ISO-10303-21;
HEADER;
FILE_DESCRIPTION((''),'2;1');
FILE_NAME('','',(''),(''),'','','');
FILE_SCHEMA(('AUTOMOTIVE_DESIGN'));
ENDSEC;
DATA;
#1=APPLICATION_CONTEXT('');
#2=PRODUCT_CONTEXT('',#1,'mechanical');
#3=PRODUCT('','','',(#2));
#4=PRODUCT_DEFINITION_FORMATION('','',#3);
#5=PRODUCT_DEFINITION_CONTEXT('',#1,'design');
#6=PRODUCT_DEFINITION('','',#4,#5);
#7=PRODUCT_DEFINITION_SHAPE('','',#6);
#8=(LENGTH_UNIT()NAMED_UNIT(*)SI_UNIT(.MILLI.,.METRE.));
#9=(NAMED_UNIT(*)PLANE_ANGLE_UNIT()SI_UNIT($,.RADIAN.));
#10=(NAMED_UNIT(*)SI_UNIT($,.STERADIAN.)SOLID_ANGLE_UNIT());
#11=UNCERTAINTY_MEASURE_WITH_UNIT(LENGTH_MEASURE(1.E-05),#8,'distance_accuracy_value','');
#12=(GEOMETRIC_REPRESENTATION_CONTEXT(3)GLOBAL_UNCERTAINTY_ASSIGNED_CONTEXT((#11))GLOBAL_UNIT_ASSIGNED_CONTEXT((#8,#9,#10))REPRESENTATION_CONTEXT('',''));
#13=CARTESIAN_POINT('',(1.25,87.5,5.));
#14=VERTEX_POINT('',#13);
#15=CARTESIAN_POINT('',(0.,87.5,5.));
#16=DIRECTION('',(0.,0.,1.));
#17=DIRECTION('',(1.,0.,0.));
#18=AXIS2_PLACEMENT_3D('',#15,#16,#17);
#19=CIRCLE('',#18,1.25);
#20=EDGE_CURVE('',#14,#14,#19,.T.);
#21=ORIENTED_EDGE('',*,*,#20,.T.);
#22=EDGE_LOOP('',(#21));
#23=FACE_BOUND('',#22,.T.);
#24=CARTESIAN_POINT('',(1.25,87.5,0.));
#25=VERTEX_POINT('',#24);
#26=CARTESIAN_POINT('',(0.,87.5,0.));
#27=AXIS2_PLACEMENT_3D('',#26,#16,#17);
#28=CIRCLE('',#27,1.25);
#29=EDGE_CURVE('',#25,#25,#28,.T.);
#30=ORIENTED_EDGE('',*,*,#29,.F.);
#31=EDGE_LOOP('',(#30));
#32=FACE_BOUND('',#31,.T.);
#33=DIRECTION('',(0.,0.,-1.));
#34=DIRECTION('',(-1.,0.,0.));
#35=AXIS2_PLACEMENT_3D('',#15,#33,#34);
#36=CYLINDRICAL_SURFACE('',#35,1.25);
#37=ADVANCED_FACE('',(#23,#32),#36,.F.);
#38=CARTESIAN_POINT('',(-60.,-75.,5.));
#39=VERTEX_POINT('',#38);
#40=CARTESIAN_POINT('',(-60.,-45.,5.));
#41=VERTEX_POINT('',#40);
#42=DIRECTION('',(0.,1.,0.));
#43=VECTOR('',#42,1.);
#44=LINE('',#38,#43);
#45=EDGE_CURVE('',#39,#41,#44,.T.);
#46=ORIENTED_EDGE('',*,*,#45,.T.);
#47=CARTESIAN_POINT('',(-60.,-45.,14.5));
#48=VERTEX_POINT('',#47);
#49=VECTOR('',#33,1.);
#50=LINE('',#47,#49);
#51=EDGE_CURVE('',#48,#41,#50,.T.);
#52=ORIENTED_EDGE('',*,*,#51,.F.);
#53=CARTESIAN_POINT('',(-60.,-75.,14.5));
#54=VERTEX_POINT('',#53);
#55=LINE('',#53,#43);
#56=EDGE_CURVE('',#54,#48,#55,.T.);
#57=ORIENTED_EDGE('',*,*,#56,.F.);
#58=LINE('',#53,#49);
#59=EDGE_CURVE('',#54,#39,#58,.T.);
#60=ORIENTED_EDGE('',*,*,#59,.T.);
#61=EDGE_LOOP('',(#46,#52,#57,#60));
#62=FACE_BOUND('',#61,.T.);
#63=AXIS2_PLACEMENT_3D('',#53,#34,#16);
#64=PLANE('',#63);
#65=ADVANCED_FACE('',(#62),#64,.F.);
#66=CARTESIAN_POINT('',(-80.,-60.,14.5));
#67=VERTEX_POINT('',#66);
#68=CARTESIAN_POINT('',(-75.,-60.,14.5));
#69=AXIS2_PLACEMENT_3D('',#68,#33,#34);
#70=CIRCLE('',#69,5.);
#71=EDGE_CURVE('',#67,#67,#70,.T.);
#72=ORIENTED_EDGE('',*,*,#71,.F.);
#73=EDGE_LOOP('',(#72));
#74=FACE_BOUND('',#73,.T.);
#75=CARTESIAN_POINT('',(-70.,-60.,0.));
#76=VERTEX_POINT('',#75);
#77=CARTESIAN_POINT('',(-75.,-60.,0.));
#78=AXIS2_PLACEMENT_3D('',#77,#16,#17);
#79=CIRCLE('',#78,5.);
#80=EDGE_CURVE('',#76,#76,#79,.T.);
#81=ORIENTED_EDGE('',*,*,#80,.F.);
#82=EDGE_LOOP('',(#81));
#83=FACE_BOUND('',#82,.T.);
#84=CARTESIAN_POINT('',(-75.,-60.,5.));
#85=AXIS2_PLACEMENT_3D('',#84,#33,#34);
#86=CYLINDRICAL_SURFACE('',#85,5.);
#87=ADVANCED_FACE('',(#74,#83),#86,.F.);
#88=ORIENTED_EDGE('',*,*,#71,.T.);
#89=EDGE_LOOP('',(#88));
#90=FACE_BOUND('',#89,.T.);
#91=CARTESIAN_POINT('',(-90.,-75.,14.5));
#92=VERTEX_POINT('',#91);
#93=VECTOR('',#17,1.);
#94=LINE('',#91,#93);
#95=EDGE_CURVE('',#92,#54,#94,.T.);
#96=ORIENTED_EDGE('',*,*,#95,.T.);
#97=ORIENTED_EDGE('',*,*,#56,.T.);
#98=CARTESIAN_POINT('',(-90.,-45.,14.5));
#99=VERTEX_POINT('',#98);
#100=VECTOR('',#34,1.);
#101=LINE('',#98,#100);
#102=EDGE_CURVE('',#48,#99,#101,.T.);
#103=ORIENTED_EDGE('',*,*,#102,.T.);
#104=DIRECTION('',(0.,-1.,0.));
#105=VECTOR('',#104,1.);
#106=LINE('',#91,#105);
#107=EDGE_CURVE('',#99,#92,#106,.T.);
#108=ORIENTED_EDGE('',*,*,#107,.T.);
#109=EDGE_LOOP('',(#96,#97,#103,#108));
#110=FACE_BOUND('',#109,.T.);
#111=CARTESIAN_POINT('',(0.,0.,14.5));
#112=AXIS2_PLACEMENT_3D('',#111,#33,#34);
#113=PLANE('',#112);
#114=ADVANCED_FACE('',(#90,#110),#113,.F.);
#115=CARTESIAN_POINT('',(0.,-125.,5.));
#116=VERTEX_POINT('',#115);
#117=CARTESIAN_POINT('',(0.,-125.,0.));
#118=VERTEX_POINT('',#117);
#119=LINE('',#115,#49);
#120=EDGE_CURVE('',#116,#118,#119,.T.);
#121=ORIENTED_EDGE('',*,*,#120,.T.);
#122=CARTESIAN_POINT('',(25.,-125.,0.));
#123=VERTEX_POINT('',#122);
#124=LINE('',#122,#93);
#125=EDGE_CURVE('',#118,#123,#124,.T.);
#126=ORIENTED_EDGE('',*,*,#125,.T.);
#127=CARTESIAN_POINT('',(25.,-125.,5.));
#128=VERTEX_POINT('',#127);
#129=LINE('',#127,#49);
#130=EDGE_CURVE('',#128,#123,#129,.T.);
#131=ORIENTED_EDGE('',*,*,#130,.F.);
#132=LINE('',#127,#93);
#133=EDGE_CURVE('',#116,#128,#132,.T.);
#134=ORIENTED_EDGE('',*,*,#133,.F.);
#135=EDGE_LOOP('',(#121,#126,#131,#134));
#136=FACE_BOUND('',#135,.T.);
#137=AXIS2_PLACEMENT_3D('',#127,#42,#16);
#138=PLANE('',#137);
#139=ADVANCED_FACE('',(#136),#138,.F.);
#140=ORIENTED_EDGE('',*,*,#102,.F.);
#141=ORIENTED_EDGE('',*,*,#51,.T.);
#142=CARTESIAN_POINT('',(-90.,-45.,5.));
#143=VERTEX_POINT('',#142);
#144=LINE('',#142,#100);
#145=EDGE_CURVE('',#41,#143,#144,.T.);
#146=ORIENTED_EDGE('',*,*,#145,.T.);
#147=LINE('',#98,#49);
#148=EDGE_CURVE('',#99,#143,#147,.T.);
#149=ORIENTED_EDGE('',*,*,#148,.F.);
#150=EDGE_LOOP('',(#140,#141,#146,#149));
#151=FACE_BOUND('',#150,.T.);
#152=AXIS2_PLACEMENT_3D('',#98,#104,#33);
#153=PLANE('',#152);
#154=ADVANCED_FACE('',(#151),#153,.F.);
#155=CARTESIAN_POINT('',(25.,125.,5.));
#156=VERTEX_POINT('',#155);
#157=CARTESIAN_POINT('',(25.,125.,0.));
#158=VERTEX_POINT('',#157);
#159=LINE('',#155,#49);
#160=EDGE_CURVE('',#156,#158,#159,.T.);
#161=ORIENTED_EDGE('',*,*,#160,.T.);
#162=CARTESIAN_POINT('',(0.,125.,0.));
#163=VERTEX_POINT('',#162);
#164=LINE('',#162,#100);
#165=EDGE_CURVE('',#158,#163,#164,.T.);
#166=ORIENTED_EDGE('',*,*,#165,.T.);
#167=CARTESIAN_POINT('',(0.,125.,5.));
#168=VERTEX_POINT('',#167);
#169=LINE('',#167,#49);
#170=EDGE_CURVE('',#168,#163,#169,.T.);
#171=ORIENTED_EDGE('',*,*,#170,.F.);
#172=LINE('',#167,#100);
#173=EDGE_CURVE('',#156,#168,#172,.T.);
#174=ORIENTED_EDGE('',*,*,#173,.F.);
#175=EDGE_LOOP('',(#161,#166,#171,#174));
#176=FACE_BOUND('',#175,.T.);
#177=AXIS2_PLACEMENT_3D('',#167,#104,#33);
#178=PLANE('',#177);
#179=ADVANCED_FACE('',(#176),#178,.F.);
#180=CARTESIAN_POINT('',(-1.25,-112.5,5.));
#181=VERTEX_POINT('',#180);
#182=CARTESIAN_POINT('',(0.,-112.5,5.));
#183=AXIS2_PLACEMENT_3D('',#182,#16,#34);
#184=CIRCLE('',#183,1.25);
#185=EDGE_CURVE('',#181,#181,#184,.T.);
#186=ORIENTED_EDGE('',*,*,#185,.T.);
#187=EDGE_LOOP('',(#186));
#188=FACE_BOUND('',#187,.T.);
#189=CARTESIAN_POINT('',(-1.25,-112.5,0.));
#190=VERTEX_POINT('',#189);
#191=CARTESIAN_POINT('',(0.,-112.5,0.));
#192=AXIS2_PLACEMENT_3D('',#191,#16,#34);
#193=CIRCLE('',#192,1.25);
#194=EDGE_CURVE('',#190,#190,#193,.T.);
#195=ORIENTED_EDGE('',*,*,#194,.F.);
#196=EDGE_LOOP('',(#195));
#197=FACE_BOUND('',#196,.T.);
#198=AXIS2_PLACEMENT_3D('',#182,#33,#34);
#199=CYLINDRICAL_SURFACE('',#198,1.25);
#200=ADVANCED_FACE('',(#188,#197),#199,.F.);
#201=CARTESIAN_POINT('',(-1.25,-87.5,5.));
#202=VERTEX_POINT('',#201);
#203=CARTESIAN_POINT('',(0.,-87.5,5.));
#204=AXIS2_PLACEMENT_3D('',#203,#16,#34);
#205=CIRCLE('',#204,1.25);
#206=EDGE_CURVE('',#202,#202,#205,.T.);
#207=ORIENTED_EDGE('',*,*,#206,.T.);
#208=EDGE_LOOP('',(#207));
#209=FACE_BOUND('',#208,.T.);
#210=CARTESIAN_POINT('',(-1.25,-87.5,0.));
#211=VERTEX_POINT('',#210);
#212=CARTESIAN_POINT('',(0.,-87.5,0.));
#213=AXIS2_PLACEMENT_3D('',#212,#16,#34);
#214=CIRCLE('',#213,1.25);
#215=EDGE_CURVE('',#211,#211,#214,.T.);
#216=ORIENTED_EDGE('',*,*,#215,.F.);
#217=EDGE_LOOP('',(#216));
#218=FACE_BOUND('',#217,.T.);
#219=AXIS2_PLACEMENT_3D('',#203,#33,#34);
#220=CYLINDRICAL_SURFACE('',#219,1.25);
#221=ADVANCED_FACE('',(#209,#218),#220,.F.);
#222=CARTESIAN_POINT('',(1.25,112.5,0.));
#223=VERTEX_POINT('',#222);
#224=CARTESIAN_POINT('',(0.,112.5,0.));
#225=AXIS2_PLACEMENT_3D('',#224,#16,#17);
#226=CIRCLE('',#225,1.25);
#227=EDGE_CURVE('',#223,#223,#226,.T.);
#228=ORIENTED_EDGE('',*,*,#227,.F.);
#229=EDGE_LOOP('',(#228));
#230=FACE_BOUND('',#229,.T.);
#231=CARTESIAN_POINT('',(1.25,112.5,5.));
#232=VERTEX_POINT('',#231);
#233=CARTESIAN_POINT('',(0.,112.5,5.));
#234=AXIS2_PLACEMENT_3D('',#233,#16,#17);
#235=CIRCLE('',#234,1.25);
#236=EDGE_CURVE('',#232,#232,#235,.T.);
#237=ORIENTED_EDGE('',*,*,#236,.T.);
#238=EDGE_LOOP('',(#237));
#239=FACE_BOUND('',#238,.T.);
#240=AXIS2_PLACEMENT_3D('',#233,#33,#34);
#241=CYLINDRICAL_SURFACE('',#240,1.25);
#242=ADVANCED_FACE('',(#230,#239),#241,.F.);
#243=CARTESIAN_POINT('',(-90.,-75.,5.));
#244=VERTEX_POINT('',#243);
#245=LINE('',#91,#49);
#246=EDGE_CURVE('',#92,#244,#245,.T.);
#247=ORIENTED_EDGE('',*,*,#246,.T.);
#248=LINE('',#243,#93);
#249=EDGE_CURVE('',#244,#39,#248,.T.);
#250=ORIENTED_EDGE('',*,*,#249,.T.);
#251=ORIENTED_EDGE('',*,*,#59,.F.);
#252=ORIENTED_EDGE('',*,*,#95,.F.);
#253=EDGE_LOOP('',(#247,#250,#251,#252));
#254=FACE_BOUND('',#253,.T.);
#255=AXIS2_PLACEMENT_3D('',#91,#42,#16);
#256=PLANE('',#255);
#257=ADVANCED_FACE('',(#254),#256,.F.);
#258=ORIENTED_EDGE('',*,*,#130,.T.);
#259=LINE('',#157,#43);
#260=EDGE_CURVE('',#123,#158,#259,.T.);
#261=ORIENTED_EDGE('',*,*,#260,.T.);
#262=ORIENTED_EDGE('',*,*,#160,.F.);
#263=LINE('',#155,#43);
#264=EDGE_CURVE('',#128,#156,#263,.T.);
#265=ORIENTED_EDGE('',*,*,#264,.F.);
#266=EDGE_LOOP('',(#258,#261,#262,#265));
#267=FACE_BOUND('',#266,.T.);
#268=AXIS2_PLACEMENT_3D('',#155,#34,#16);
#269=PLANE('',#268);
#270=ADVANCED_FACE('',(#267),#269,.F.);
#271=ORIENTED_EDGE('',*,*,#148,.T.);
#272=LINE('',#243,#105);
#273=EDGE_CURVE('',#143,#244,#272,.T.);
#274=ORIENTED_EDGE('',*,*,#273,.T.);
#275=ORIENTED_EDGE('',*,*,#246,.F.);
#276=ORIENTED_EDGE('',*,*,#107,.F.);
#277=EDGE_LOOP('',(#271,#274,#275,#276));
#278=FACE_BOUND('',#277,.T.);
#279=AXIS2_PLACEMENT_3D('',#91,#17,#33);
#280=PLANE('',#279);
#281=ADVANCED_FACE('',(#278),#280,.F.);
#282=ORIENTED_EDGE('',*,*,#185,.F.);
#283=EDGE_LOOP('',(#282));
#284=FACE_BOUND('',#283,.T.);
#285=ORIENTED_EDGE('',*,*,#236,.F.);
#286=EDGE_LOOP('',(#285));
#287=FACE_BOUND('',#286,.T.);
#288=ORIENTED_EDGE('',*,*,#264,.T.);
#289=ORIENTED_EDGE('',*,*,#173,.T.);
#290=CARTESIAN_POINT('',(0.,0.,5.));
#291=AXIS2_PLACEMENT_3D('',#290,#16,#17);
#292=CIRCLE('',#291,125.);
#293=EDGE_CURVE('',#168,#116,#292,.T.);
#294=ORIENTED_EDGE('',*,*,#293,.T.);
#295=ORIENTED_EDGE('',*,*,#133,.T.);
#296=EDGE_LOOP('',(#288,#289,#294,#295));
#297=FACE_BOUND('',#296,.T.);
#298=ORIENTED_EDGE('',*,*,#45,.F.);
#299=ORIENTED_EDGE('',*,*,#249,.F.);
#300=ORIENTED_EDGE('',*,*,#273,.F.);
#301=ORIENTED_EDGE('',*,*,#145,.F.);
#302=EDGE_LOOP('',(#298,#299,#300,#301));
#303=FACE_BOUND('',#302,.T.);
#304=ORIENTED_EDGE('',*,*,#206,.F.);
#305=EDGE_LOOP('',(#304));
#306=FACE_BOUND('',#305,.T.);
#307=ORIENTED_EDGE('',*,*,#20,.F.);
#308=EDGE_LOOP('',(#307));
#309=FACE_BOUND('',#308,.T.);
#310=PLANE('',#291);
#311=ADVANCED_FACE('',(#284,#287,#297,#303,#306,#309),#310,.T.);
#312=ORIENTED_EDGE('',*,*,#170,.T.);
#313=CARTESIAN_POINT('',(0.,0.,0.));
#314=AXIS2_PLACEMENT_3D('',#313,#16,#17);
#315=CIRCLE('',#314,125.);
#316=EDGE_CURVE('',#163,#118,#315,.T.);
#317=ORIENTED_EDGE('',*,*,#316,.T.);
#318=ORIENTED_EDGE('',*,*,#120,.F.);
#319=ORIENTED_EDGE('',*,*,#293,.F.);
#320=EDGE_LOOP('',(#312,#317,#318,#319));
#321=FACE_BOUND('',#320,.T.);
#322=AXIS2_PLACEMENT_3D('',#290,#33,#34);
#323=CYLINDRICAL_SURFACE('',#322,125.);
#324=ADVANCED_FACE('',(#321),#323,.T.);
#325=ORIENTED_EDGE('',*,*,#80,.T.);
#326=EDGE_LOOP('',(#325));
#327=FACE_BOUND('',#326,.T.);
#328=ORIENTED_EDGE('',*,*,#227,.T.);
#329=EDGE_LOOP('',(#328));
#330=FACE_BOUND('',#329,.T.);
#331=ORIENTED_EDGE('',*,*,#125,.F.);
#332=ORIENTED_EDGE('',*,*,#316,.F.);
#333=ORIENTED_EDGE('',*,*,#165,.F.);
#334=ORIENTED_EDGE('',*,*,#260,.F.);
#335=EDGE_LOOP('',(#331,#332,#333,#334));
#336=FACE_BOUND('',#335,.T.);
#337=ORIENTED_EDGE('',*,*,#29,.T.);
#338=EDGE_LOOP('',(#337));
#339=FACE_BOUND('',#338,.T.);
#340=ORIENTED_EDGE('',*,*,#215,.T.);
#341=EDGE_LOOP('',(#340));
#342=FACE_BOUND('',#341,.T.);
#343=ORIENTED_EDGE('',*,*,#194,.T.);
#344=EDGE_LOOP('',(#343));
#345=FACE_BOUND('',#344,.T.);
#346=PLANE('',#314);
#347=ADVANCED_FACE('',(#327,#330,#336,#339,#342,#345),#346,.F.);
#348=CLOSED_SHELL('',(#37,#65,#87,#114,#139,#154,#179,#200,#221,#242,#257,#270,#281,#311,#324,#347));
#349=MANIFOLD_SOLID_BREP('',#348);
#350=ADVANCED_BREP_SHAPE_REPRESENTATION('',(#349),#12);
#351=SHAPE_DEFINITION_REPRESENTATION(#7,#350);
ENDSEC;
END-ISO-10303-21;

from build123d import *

# Parameters (mm, degrees)
SKETCH_1_R          = 1.25
SKETCH_1_R_2        = 5
EXTRUDE_1_DEPTH     = 5
SKETCH_2_W          = 30
SKETCH_2_H          = 30
EXTRUDE_2_DEPTH     = 9.5
SKETCH_3_R          = 5
CUT_EXTRUDE_1_DEPTH = 9.5


with BuildPart() as part:
    # 草图1 → 凸台-拉伸1 (new body)
    with BuildSketch(Plane.XY):
        with BuildLine():
            Line((0, 125), (25, 125))
            Line((25, 125), (25, -125))
            Line((25, -125), (0, -125))
            ThreePointArc((0, -125), (-125, 0), (0, 125))
        make_face()
        with Locations((0, 112.5)):
            Circle(SKETCH_1_R, mode=Mode.SUBTRACT)
        with Locations((0, 87.5)):
            Circle(SKETCH_1_R, mode=Mode.SUBTRACT)
        with Locations(Location((0, -87.5, 0), (0, 0, 180))):
            Circle(SKETCH_1_R, mode=Mode.SUBTRACT)
        with Locations(Location((0, -112.5, 0), (0, 0, 180))):
            Circle(SKETCH_1_R, mode=Mode.SUBTRACT)
        with Locations((-75, -60)):
            Circle(SKETCH_1_R_2, mode=Mode.SUBTRACT)
    extrude(amount=EXTRUDE_1_DEPTH)

    # 草图2 → 凸台-拉伸2 (add)
    with BuildSketch(Plane.XY.offset(5)):
        with Locations((-75, -60)):
            Rectangle(SKETCH_2_W, SKETCH_2_H)
    extrude(amount=EXTRUDE_2_DEPTH)

    # 草图3 → 切除-拉伸1 (cut)
    with BuildSketch(Plane(origin=(0, 0, 5), x_dir=(-1, 0, 0), z_dir=(0, 0, -1))):
        with Locations((75, -60)):
            Circle(SKETCH_3_R)
    extrude(amount=-CUT_EXTRUDE_1_DEPTH, mode=Mode.SUBTRACT)


solid = part.part
